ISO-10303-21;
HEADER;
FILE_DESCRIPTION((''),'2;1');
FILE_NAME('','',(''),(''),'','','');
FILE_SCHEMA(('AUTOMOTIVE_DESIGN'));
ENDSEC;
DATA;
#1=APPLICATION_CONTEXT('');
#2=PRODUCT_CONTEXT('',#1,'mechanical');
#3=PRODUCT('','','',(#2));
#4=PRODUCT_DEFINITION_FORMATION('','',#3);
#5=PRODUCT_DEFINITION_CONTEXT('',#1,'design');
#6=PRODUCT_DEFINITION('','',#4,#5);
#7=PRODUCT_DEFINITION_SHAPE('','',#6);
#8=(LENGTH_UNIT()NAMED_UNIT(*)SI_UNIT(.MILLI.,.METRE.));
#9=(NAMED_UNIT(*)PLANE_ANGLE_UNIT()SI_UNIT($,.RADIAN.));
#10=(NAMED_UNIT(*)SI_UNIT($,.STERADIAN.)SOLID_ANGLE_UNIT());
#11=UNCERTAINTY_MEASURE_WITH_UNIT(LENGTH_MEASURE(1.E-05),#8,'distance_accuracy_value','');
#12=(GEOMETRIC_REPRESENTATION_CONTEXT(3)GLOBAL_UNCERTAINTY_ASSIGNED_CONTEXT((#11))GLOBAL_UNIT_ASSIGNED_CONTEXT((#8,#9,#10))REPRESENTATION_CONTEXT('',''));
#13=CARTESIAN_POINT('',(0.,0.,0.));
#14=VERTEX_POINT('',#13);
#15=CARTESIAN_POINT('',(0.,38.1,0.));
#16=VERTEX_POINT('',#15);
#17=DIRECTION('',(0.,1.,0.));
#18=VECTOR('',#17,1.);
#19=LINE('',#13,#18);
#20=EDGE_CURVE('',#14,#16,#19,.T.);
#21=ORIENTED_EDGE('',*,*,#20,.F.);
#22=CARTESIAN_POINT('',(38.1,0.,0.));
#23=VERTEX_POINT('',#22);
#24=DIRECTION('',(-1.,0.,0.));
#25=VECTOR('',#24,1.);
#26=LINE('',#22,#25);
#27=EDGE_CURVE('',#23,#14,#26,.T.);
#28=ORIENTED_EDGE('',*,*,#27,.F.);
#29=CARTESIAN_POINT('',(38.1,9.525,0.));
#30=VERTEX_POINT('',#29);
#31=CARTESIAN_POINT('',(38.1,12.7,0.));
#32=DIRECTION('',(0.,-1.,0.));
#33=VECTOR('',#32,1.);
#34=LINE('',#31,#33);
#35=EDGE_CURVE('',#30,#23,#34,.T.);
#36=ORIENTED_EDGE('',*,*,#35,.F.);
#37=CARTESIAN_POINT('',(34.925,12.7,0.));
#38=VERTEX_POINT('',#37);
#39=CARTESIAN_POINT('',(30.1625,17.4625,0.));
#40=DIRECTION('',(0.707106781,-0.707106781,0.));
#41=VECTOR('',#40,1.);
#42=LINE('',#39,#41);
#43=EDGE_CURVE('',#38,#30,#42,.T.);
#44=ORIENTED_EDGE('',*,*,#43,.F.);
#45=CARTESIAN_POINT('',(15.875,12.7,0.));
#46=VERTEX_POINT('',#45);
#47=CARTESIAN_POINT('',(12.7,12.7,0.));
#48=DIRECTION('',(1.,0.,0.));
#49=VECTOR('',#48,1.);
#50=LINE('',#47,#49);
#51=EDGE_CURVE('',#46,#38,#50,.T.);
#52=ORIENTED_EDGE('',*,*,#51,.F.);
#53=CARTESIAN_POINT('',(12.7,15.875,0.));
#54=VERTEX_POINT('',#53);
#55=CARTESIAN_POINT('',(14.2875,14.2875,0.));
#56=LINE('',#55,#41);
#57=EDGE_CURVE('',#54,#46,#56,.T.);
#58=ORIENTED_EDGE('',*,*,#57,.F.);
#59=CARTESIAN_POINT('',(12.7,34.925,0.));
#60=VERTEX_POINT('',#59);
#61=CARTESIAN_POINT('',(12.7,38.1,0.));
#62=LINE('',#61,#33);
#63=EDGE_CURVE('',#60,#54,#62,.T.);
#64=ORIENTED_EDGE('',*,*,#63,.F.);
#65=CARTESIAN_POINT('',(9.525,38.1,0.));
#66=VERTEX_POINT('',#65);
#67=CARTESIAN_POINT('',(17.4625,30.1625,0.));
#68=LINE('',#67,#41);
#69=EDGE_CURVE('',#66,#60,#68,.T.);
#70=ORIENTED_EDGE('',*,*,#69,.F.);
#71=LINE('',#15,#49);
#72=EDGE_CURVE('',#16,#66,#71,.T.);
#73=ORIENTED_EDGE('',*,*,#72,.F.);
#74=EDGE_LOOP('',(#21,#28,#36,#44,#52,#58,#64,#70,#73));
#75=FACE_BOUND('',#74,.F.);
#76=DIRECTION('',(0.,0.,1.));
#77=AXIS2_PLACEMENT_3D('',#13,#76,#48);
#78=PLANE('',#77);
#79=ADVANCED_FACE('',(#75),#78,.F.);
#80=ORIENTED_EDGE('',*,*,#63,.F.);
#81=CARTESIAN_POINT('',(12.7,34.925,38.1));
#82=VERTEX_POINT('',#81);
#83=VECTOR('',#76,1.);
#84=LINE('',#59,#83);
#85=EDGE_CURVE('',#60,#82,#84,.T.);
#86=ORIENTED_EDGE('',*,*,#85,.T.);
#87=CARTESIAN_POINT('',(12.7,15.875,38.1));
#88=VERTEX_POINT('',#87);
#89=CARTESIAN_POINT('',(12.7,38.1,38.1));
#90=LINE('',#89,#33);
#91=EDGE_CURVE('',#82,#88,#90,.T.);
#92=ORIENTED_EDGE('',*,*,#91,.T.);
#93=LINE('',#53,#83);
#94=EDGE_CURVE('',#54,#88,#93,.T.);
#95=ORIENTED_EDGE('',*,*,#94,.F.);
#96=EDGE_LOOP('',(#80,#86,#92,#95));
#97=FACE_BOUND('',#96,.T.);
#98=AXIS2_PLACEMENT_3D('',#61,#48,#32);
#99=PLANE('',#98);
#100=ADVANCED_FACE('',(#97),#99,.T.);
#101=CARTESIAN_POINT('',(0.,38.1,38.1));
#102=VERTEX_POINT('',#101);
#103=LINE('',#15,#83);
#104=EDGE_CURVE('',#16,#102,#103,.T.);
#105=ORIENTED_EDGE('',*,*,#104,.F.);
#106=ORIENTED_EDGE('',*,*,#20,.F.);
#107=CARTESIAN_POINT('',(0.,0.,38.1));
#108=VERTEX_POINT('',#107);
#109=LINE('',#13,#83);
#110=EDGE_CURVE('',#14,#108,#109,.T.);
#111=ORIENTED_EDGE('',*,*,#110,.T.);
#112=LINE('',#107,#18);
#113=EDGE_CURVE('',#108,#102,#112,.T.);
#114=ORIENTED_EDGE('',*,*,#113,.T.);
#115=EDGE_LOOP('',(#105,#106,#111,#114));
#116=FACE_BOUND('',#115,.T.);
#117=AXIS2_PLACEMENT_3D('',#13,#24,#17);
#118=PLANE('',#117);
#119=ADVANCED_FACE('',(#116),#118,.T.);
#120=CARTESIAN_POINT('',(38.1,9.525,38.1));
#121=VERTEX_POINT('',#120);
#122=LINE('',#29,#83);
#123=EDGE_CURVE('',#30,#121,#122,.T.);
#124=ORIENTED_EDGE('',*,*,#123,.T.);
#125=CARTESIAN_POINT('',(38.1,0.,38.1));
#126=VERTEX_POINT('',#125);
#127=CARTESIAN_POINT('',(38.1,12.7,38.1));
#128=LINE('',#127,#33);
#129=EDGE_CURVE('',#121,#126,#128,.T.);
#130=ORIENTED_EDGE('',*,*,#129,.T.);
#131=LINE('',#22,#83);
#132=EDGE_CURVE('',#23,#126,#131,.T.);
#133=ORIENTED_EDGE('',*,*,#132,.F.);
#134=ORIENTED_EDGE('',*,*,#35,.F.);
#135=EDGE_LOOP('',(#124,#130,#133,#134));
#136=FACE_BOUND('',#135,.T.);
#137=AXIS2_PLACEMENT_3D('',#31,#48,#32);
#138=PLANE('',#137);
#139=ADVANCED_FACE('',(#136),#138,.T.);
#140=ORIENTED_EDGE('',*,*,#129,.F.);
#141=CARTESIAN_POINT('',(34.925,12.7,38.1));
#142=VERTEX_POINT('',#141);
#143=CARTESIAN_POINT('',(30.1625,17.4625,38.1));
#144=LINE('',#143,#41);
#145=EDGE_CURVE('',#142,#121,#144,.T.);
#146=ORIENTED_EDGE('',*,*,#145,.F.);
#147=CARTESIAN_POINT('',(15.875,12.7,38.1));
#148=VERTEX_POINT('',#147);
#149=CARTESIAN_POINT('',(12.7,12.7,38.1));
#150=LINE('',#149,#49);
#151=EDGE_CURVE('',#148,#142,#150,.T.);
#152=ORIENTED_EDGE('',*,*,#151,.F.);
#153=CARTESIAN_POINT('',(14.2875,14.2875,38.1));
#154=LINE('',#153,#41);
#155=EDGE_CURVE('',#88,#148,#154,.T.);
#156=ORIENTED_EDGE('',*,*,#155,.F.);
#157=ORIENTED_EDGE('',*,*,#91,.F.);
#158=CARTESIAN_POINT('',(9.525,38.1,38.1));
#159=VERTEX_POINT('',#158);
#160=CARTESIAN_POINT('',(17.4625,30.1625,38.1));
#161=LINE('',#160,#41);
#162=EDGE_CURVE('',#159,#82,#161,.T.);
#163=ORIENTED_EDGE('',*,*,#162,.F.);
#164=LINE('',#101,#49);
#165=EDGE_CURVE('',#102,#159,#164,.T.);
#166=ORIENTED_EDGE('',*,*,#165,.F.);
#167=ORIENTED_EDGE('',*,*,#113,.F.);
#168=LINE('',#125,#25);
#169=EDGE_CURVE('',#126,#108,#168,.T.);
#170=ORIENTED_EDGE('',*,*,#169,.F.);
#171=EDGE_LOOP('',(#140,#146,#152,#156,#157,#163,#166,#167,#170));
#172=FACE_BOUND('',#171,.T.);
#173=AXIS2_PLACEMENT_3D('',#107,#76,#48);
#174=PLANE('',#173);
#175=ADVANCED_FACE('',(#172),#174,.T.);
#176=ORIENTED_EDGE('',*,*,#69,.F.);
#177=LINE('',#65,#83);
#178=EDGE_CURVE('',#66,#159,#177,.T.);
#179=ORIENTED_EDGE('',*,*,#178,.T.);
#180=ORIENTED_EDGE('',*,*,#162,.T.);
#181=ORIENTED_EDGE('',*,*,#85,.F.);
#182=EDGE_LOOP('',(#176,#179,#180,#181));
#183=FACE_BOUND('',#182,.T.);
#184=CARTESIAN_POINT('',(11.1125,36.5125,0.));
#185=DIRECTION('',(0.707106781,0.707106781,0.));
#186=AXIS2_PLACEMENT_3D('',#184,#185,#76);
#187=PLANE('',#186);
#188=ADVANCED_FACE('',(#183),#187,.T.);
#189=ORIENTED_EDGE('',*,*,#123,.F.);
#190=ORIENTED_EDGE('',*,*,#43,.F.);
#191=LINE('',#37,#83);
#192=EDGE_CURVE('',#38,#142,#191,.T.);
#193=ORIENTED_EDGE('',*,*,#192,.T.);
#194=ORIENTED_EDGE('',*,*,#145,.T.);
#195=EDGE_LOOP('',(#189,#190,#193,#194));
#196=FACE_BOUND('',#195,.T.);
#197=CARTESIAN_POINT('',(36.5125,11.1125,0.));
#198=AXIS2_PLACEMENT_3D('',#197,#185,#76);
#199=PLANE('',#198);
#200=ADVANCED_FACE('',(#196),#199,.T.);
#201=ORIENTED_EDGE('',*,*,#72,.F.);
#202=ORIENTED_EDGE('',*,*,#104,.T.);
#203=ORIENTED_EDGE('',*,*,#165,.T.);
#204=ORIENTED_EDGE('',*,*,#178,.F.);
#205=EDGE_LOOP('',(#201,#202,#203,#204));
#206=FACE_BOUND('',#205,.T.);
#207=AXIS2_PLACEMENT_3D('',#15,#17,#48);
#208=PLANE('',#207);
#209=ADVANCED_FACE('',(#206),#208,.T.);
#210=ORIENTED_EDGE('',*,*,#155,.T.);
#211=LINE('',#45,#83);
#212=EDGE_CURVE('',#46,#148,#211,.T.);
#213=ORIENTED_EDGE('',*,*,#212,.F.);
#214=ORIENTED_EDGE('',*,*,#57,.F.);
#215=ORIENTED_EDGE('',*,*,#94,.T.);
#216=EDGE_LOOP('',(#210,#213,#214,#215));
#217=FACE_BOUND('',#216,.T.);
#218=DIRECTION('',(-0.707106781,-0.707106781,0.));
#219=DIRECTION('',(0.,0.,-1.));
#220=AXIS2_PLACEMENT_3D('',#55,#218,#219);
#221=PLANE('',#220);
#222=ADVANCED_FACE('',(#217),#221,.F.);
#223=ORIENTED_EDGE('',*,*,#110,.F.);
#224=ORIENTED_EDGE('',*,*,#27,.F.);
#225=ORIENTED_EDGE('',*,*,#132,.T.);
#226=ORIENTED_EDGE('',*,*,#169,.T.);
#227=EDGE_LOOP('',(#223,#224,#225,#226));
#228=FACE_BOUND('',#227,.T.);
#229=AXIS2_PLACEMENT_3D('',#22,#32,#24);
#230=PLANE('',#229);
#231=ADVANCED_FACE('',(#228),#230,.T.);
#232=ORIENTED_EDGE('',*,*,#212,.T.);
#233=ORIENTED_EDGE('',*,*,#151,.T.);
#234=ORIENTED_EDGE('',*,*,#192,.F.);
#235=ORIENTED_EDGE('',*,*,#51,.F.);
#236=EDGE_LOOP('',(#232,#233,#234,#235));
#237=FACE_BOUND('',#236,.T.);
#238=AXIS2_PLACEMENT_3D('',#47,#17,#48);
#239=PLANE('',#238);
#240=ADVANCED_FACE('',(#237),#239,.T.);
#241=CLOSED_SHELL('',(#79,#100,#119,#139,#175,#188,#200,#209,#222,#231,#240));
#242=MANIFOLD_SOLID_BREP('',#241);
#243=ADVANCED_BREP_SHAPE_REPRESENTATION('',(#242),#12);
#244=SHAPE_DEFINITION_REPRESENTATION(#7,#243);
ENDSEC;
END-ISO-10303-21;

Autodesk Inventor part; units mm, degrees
ref_plane "YZ Plane" through (0, 0, 0) normal (1, 0, 0) x (0, 1, 0)
ref_plane "XZ Plane" through (0, 0, 0) normal (0, 1, 0) x (-1, 0, 0)
ref_plane "XY Plane" through (0, 0, 0) normal (0, 0, 1) x (1, 0, 0)
sketch "Sketch1" plane through (0, 0, 0) normal (0, 0, 1) x (1, 0, 0)
  line L0 (0, 0) -> (0, 38.1)
  line L1 (0, 38.1) -> (12.7, 38.1)
  line L2 (12.7, 38.1) -> (12.7, 12.7)
  line L3 (12.7, 12.7) -> (38.1, 12.7)
  line L4 (38.1, 12.7) -> (38.1, 0)
  line L5 (38.1, 0) -> (0, 0)
  dimension "d0" = 38.1
  dimension "d1" = 12.7
  dimension "d2" = 25.4
  dimension "d3" = 25.4
extrude "Extrusion1" add sketch "Sketch1" along normal blind 38.1
chamfer "Chamfer1" distance 3.175 angle 45 1 edges at (12.7, 38.1, 19.05)
chamfer "Chamfer2" distance 3.175 angle 45 2 edges at (12.7, 12.7, 19.05) (38.1, 12.7, 19.05)
properties part number "ChamferPart"
